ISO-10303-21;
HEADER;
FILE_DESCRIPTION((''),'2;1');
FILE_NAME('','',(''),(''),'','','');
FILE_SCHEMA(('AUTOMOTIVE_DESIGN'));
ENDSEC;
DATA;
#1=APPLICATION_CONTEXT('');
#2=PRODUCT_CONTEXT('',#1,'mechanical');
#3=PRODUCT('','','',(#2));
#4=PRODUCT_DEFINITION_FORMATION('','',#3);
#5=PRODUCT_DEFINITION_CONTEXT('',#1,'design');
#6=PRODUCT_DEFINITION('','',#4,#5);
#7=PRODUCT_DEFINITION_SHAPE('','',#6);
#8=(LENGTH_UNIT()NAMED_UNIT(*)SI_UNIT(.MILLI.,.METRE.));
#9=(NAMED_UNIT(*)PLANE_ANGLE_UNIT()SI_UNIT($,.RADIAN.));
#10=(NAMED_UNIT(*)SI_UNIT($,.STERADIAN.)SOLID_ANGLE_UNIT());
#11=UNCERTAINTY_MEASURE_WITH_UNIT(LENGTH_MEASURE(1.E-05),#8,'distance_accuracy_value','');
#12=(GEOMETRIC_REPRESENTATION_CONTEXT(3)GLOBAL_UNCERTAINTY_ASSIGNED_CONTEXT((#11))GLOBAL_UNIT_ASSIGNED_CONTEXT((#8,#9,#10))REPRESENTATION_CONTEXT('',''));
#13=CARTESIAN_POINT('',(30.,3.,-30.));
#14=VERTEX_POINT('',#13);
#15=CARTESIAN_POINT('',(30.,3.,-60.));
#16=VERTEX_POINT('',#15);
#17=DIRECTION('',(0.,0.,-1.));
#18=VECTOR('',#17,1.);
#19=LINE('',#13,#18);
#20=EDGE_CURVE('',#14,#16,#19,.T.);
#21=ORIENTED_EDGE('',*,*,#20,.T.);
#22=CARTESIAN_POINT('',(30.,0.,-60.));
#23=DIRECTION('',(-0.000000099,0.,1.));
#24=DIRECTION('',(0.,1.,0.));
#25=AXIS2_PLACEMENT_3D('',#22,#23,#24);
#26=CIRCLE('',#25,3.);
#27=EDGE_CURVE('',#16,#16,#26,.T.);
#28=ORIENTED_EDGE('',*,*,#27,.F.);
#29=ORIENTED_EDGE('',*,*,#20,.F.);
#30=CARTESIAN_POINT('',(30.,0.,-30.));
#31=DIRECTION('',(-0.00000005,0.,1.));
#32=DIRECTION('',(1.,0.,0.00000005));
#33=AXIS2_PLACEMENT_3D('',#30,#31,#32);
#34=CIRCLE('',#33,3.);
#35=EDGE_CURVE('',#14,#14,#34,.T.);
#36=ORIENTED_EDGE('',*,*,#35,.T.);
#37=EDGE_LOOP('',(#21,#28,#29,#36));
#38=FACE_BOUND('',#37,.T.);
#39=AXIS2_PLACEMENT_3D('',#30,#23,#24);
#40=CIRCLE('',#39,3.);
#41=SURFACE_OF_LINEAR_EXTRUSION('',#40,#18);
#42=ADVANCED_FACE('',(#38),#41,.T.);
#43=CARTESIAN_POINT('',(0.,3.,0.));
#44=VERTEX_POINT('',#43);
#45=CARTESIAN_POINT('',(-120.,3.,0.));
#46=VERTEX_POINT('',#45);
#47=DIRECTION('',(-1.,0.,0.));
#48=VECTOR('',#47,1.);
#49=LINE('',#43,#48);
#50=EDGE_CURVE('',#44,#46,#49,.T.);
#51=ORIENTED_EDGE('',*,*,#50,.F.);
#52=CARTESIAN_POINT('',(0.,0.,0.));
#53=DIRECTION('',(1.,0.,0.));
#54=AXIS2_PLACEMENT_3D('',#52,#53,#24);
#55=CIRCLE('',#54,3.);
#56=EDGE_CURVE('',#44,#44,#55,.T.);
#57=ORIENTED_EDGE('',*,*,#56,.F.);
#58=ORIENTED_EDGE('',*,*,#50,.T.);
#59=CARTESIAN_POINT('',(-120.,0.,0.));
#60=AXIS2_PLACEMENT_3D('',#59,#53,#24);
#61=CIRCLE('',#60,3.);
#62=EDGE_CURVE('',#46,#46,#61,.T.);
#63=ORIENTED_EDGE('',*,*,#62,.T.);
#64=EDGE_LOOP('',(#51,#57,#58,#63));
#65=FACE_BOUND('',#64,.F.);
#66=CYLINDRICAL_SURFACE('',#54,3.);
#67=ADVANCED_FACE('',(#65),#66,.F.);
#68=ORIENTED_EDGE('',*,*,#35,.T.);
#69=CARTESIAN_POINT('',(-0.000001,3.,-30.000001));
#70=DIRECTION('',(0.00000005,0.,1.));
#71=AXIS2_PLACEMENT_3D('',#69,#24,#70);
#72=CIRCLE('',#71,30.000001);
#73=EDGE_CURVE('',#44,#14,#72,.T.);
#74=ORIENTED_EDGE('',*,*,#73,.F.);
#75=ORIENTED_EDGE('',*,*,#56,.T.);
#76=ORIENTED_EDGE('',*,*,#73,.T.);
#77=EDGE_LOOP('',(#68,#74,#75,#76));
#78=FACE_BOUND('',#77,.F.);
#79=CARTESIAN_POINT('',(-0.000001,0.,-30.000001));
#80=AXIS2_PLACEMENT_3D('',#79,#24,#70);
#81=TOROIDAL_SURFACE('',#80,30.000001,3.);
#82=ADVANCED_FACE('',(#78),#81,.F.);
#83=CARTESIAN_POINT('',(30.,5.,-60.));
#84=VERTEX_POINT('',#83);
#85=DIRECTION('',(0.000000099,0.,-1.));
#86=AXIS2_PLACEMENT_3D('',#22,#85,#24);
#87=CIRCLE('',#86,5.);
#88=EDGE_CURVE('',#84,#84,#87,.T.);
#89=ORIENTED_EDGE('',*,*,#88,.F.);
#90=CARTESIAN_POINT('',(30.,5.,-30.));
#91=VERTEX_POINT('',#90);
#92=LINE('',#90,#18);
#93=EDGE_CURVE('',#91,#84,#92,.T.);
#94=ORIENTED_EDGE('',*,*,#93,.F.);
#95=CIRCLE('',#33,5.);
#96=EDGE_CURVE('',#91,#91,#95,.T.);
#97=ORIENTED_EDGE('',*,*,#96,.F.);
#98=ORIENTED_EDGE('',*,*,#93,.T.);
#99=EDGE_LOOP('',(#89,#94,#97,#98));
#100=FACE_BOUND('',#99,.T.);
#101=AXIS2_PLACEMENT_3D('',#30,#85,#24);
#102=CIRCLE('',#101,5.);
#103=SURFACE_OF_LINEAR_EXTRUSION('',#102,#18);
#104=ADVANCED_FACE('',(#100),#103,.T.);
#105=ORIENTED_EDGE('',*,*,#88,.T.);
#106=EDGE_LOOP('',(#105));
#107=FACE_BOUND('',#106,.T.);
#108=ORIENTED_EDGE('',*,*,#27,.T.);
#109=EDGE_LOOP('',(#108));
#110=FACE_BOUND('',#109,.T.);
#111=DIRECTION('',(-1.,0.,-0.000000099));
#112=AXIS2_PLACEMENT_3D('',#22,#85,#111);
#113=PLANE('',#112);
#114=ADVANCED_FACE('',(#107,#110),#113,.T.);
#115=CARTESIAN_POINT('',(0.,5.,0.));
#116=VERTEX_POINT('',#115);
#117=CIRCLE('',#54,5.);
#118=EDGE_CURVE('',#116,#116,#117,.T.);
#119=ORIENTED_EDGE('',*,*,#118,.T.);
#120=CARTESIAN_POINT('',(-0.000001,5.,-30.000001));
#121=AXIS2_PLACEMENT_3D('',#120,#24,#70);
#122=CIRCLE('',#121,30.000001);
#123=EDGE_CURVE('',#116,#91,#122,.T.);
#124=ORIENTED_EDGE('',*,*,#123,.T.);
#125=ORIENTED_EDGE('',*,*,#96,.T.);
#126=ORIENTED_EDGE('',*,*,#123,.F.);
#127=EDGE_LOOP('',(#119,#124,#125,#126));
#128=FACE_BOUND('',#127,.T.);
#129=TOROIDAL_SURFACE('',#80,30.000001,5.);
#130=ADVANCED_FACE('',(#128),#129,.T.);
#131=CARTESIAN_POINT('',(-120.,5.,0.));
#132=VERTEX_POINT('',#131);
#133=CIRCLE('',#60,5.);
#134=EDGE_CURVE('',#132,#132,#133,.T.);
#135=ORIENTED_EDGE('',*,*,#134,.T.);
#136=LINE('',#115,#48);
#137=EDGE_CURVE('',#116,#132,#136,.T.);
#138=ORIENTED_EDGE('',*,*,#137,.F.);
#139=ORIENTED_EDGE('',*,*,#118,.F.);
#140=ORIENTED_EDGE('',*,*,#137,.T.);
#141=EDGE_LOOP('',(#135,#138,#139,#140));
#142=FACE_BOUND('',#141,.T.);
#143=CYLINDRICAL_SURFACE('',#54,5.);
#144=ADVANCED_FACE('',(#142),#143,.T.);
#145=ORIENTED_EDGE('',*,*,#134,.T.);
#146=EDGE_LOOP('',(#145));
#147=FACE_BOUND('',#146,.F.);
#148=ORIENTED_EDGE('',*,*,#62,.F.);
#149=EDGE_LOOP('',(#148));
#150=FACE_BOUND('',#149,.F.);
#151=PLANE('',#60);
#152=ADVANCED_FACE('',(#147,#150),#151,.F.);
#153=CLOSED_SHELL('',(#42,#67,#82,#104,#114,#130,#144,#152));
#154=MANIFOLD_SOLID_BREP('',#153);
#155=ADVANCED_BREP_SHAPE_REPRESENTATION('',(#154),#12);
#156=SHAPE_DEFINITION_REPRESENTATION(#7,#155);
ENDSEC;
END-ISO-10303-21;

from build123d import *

# Parameters (mm, degrees)
F0_R        = 5
F0_R_2      = 3
F1_DEPTH    = 120
F1_FACE_R   = 5
F1_FACE_R_2 = 3


with BuildPart() as f1:
    # F0 (on Right) → F1 (new body)
    with BuildSketch(Plane.YZ):
        Circle(F0_R)
        Circle(F0_R_2, mode=Mode.SUBTRACT)
    extrude(amount=-F1_DEPTH)

    # F3: sweep along a path in F2
    with BuildLine(Plane.XZ) as f3_path:
        ThreePointArc((0, 0), (21.213203, -8.786797), (30, -30))
        Line((30, -30), (30, -60))
    # F1_face (on face) → F3 (sweep)
    with BuildSketch(Plane.YZ):
        Circle(F1_FACE_R)
        Circle(F1_FACE_R_2, mode=Mode.SUBTRACT)
    sweep(path=f3_path.line)


solid = f1.part
